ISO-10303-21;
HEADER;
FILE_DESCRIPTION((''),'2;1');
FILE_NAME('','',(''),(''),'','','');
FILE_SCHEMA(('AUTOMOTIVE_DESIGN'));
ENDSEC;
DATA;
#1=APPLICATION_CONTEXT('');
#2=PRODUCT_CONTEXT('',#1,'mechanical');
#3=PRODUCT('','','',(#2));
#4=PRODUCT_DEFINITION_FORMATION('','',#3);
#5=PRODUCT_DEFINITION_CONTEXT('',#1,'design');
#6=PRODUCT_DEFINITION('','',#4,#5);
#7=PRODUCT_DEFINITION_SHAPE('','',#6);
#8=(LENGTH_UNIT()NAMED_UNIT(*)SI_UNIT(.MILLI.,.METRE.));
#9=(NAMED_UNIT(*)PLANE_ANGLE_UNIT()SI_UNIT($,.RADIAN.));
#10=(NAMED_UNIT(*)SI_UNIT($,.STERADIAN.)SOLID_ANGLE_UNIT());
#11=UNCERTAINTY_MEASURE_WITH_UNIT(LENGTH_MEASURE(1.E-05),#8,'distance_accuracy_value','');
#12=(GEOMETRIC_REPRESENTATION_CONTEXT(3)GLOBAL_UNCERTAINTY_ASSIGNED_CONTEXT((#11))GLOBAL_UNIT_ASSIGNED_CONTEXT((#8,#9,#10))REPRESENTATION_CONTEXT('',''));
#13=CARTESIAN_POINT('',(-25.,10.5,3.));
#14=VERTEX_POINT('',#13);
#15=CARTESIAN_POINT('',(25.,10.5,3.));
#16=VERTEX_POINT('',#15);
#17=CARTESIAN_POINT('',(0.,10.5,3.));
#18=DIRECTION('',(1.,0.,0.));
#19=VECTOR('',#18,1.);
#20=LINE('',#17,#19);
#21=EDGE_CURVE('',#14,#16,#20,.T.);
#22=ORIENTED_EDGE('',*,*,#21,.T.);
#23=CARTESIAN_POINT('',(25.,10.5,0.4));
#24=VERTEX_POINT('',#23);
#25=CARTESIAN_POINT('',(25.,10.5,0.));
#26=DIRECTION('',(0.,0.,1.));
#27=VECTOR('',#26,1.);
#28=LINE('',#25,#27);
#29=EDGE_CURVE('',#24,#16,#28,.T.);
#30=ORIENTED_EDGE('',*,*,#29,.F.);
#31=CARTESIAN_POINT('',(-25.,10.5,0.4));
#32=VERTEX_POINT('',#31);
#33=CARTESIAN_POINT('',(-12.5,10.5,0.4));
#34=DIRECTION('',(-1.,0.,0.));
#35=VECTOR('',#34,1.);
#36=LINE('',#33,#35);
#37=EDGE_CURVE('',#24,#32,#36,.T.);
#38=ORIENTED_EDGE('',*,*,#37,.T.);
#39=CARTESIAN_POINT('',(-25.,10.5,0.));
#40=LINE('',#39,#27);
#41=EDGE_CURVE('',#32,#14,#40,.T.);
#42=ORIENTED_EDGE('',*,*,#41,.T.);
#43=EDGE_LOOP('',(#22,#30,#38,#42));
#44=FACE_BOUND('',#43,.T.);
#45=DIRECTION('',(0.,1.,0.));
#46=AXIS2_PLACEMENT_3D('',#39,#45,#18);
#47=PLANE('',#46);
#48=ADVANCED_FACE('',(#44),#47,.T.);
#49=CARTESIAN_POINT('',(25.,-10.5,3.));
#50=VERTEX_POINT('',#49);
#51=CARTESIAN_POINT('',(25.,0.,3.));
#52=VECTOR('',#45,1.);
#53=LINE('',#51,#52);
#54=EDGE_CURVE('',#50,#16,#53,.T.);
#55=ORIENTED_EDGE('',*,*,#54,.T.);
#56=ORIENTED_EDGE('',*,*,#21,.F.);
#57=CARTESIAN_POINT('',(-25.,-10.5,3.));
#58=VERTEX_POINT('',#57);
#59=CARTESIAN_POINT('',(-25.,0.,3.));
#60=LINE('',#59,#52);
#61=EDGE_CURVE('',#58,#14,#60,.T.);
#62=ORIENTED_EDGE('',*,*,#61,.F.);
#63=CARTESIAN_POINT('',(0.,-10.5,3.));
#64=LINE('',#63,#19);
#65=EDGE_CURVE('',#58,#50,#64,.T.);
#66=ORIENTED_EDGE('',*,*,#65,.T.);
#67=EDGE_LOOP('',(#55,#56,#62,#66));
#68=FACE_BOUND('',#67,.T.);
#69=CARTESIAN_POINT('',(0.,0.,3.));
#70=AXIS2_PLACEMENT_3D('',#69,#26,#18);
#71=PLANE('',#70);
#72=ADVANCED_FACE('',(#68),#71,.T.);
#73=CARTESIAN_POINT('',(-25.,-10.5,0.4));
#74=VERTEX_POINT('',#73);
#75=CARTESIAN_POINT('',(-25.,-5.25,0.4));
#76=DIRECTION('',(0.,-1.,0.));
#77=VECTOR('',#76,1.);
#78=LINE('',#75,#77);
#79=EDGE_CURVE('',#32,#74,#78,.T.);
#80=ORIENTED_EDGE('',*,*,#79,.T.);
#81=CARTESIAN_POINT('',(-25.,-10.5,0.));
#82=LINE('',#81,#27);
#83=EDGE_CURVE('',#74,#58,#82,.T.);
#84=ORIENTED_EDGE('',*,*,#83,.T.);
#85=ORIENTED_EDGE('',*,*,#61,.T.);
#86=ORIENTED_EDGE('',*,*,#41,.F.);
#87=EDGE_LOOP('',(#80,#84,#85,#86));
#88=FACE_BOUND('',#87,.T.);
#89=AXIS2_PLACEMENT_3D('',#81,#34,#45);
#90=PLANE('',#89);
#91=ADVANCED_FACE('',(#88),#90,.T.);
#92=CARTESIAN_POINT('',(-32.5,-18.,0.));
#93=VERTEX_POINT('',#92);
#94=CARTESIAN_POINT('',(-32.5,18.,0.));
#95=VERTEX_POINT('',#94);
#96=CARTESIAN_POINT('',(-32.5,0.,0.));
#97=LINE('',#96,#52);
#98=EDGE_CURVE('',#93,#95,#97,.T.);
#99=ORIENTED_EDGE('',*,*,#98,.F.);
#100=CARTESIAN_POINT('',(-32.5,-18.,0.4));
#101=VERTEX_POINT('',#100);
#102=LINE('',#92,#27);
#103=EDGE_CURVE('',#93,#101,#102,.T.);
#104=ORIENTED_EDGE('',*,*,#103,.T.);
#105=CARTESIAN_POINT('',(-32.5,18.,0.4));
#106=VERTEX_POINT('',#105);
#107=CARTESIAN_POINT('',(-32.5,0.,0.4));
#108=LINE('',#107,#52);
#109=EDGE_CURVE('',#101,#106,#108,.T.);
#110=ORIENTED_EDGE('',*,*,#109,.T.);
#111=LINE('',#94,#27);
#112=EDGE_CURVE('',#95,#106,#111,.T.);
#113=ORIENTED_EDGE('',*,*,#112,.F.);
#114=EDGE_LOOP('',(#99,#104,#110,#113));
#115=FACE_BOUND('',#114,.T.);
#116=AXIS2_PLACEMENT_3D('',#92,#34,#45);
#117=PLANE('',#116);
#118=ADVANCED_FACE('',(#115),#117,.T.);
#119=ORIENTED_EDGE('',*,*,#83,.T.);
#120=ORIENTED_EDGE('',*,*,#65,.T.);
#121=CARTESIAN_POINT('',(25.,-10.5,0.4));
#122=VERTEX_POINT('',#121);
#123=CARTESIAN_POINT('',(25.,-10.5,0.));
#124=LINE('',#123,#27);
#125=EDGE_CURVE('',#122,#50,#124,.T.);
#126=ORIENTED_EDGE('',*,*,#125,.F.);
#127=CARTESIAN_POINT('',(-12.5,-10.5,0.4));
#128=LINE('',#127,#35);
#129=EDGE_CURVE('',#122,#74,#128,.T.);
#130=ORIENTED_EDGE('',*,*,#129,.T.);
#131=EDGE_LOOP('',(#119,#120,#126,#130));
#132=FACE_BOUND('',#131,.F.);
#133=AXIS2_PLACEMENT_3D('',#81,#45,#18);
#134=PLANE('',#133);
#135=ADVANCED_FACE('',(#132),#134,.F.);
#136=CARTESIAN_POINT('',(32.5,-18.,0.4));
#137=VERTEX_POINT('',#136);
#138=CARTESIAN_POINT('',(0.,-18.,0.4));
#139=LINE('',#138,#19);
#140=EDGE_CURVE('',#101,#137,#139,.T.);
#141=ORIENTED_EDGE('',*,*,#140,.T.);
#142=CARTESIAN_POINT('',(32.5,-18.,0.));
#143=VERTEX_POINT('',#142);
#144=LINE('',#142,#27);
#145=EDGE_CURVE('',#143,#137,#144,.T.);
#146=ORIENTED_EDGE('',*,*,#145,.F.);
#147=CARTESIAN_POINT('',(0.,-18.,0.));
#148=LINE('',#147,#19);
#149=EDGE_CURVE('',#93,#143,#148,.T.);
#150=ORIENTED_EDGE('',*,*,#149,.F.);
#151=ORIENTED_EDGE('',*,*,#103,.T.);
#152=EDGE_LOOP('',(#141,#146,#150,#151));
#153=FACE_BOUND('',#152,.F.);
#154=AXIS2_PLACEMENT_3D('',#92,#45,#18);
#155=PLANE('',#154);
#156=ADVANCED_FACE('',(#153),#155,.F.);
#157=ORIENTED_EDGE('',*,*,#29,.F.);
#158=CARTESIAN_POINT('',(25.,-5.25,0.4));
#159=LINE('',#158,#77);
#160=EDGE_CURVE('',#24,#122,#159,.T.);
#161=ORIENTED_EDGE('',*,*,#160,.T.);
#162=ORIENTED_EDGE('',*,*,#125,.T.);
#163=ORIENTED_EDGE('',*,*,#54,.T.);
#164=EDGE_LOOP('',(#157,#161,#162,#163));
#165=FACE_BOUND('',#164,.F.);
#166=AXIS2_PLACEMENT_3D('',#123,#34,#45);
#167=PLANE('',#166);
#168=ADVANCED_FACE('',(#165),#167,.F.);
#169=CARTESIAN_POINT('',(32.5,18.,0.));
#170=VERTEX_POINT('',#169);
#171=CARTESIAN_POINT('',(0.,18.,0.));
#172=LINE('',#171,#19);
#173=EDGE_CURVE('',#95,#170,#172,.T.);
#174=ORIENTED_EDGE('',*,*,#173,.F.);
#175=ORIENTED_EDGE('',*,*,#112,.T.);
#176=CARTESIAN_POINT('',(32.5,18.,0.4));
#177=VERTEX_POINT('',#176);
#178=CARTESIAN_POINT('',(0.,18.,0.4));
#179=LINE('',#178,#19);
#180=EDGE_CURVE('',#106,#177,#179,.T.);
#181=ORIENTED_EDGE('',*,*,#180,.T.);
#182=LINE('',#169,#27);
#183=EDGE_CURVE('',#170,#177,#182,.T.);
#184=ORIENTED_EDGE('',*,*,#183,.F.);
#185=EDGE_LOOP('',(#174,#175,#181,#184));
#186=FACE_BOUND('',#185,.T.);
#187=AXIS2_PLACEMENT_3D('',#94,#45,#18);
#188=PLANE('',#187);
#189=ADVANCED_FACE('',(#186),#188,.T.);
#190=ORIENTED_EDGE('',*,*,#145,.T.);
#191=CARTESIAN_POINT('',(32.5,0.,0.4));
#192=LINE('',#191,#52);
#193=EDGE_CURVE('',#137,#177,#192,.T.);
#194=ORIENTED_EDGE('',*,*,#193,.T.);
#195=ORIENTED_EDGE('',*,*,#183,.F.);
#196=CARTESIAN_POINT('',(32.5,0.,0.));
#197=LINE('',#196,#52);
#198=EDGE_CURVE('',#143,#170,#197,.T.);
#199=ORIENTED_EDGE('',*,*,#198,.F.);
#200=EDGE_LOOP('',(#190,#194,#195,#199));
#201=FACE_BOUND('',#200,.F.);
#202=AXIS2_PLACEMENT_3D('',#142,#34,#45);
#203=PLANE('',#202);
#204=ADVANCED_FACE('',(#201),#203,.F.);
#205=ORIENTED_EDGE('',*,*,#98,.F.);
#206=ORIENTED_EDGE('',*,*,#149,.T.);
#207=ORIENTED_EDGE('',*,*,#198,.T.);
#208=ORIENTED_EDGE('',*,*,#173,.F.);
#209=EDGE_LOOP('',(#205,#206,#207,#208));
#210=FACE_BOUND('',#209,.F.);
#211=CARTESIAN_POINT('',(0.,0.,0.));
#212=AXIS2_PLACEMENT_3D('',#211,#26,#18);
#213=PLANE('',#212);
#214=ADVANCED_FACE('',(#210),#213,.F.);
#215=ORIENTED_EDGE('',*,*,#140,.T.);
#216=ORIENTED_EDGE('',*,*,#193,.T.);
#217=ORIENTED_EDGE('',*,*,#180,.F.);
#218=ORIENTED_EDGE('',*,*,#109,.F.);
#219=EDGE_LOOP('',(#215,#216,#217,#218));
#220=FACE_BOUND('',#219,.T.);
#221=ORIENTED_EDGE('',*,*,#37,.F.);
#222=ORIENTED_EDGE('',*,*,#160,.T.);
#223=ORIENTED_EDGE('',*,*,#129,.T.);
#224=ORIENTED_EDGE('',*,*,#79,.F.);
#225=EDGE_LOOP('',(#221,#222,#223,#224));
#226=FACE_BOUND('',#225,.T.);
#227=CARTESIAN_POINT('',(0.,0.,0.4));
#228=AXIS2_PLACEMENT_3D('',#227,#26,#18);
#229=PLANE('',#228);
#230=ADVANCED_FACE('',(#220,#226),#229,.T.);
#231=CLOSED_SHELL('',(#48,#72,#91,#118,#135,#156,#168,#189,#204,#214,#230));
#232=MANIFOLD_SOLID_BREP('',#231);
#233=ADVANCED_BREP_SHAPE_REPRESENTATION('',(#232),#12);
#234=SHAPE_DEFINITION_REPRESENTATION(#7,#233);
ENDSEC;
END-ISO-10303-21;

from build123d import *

# Parameters (mm, degrees)
F0_W     = 65
F0_H     = 36
F0_W_2   = 50
F0_H_2   = 21
F1_DEPTH = 0.4
F2_DEPTH = 3


with BuildPart() as f1:
    # F0 (on Top) → F1 (new body)
    with BuildSketch(Plane.XY):
        Rectangle(F0_W, F0_H)
        Rectangle(F0_W_2, F0_H_2, mode=Mode.SUBTRACT)
        Rectangle(F0_W_2, F0_H_2)
    extrude(amount=F1_DEPTH)

    # F0 (on Top) → F2 (join)
    with BuildSketch(Plane.XY):
        Rectangle(F0_W_2, F0_H_2)
    extrude(amount=F2_DEPTH)


solid = f1.part
